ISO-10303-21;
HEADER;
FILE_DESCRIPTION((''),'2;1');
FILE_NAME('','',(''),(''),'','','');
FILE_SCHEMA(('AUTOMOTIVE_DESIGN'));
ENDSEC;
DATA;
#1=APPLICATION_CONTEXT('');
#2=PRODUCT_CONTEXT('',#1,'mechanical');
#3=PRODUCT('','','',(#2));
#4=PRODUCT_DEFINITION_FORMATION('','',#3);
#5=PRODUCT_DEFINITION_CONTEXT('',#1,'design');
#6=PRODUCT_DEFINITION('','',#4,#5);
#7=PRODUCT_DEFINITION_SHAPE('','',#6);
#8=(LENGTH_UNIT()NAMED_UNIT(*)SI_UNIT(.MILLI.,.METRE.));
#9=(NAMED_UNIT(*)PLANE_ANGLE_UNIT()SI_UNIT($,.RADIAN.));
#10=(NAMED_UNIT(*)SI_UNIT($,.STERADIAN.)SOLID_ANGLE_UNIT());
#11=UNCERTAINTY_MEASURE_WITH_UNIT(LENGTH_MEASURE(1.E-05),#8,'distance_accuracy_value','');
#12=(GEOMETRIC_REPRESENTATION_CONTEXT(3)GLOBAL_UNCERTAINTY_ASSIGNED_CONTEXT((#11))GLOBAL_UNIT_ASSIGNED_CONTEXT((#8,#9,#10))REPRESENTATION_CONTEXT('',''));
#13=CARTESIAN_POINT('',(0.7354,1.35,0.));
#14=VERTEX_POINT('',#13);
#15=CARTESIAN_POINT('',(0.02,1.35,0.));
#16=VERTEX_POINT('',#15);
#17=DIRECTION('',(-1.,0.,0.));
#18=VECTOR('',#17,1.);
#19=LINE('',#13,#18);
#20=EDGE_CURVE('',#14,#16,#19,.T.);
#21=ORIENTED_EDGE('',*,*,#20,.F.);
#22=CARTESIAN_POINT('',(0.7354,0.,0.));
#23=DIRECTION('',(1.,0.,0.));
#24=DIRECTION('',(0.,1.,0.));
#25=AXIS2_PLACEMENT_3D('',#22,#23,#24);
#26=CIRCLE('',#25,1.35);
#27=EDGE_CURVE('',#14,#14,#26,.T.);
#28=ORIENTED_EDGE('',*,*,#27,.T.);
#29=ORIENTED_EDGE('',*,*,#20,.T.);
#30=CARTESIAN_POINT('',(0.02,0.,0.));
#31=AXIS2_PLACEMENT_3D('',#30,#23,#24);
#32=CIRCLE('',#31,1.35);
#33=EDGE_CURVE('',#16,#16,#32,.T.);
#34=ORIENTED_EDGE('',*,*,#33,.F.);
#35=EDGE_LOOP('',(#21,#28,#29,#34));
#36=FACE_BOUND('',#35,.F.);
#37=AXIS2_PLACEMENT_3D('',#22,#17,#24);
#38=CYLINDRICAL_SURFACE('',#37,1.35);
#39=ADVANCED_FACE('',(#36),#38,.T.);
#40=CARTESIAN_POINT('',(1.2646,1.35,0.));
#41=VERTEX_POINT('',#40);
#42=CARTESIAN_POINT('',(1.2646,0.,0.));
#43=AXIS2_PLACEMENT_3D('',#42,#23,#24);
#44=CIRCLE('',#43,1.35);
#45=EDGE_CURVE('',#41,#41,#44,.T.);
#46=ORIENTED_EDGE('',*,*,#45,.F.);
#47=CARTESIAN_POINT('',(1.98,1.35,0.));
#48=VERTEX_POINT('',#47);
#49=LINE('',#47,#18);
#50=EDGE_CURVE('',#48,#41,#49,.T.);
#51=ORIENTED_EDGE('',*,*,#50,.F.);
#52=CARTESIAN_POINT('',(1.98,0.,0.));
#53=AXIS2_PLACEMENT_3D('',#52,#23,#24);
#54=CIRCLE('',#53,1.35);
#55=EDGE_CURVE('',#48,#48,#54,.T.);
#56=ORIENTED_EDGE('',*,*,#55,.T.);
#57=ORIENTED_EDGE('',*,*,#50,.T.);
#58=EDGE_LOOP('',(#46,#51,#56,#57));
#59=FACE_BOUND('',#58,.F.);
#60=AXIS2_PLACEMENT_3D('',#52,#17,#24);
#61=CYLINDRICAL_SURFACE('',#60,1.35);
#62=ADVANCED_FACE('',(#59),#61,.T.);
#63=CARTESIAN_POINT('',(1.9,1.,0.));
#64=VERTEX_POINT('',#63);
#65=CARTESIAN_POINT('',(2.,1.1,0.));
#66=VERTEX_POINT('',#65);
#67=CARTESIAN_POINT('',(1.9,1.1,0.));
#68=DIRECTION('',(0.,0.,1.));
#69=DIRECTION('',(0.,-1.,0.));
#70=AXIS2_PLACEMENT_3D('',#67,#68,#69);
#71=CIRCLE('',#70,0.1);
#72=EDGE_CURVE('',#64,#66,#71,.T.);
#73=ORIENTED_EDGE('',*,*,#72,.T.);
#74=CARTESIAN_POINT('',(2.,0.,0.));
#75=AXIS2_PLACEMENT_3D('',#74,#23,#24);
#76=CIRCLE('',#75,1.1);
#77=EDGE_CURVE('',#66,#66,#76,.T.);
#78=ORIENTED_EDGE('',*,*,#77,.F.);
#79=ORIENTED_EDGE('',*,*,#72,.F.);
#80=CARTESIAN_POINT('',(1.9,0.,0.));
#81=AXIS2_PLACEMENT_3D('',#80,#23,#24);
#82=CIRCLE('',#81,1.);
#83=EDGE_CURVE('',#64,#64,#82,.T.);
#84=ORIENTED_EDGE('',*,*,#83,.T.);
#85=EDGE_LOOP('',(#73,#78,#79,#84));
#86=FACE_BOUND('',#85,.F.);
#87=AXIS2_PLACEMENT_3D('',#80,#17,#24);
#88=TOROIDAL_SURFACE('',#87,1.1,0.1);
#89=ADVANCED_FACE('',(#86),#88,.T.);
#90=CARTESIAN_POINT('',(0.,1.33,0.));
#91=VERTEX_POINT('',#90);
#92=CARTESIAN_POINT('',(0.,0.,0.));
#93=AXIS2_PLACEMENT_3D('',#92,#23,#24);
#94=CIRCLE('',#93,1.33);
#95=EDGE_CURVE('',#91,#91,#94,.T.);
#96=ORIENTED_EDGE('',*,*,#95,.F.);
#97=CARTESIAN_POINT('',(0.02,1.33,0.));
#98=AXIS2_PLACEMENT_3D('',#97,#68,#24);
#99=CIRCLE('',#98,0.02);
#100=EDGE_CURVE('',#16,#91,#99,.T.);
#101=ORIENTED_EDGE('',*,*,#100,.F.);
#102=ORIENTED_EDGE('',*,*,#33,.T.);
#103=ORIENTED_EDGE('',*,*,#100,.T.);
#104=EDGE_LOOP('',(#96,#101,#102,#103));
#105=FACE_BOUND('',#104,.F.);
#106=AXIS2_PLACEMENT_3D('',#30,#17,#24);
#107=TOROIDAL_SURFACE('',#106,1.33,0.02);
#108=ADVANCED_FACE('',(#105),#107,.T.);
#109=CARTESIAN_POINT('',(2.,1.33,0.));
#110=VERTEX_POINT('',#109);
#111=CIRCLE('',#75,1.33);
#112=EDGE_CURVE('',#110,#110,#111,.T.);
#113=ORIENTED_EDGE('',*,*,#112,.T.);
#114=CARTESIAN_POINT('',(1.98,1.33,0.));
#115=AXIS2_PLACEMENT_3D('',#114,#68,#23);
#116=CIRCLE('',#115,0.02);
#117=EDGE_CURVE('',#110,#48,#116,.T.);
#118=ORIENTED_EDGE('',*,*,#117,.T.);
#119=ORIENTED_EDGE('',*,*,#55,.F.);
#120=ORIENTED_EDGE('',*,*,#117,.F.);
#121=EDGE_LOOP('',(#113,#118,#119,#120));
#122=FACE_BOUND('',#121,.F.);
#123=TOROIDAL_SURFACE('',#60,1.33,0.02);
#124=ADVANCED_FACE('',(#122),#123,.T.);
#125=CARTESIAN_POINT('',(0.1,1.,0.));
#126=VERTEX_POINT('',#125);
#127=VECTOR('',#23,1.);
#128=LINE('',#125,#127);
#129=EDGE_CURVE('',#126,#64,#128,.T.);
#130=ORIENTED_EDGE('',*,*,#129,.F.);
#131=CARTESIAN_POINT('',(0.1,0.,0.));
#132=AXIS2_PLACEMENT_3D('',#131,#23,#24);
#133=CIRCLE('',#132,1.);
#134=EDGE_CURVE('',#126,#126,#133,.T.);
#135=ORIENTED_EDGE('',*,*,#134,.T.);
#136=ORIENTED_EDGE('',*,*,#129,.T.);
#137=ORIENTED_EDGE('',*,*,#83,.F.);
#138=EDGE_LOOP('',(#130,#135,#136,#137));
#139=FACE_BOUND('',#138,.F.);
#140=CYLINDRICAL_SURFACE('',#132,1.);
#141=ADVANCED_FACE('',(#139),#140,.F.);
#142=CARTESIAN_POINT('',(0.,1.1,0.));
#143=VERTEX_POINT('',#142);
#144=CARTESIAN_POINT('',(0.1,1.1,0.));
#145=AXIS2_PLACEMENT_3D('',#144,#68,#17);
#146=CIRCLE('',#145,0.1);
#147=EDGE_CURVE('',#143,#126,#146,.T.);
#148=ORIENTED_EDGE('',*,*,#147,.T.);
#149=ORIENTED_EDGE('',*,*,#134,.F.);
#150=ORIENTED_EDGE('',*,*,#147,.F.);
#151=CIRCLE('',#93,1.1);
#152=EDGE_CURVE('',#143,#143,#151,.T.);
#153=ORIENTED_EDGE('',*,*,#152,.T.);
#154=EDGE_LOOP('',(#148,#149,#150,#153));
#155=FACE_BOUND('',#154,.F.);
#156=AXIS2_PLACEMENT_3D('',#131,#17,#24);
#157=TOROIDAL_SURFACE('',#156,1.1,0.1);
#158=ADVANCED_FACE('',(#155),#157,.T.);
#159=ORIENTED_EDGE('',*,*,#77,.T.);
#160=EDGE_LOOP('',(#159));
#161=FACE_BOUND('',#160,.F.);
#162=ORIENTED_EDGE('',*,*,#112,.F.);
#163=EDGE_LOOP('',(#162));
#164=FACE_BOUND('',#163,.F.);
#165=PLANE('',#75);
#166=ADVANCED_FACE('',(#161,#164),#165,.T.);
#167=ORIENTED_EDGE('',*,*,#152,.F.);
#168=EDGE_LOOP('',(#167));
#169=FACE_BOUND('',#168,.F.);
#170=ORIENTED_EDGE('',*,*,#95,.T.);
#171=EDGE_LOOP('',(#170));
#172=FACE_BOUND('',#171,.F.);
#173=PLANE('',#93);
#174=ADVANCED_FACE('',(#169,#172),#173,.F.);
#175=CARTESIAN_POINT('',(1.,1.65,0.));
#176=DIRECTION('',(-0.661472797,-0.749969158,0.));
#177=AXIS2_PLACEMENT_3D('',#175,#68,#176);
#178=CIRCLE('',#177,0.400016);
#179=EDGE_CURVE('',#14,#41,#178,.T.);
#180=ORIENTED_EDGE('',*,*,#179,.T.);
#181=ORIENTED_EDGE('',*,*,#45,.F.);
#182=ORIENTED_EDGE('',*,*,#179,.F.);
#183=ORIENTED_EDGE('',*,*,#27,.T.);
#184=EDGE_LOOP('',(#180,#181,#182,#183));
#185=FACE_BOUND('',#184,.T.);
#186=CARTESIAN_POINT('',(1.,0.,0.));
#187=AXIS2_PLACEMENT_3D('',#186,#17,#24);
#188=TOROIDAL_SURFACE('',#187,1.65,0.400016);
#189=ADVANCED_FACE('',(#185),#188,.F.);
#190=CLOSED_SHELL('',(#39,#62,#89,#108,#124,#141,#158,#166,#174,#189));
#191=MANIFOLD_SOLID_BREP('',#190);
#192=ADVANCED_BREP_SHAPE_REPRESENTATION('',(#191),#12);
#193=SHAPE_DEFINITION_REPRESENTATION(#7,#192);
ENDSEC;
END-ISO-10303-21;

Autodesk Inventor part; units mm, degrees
ref_plane "YZ Plane" through (0, 0, 0) normal (1, 0, 0) x (0, 1, 0)
ref_plane "XZ Plane" through (0, 0, 0) normal (0, 1, 0) x (-1, 0, 0)
ref_plane "XY Plane" through (0, 0, 0) normal (0, 0, 1) x (1, 0, 0)
sketch "Sketch_10" plane through (0, 0, 0) normal (0, 0, 1) x (1, 0, 0)
  line L0 (50, 0) -> (-50, 0)
  line L1 (0, 1.33) -> (0, 1.1)
  arc A0 (0, 1.1) -> (0.1, 1) centre (0.1, 1.1) ccw
  line L2 (0.1, 1) -> (1.9, 1)
  arc A1 (1.9, 1) -> (2, 1.1) centre (1.9, 1.1) ccw
  line L3 (2, 1.1) -> (2, 1.33)
  arc A2 (2, 1.33) -> (1.98, 1.35) centre (1.98, 1.33) ccw
  line L4 (1.98, 1.35) -> (1.2646, 1.35)
  arc A3 (0.7354, 1.35) -> (1.2646, 1.35) centre (1, 1.65) ccw
  line L5 (0.7354, 1.35) -> (0.02, 1.35)
  arc A4 (0.02, 1.35) -> (0, 1.33) centre (0.02, 1.33) ccw
revolve "Revolution1" add sketch "Sketch_10" angle 360 about axis through (50, 0, 0) along (1, 0, 0)
properties part number "W 618/2 X_PART1"
